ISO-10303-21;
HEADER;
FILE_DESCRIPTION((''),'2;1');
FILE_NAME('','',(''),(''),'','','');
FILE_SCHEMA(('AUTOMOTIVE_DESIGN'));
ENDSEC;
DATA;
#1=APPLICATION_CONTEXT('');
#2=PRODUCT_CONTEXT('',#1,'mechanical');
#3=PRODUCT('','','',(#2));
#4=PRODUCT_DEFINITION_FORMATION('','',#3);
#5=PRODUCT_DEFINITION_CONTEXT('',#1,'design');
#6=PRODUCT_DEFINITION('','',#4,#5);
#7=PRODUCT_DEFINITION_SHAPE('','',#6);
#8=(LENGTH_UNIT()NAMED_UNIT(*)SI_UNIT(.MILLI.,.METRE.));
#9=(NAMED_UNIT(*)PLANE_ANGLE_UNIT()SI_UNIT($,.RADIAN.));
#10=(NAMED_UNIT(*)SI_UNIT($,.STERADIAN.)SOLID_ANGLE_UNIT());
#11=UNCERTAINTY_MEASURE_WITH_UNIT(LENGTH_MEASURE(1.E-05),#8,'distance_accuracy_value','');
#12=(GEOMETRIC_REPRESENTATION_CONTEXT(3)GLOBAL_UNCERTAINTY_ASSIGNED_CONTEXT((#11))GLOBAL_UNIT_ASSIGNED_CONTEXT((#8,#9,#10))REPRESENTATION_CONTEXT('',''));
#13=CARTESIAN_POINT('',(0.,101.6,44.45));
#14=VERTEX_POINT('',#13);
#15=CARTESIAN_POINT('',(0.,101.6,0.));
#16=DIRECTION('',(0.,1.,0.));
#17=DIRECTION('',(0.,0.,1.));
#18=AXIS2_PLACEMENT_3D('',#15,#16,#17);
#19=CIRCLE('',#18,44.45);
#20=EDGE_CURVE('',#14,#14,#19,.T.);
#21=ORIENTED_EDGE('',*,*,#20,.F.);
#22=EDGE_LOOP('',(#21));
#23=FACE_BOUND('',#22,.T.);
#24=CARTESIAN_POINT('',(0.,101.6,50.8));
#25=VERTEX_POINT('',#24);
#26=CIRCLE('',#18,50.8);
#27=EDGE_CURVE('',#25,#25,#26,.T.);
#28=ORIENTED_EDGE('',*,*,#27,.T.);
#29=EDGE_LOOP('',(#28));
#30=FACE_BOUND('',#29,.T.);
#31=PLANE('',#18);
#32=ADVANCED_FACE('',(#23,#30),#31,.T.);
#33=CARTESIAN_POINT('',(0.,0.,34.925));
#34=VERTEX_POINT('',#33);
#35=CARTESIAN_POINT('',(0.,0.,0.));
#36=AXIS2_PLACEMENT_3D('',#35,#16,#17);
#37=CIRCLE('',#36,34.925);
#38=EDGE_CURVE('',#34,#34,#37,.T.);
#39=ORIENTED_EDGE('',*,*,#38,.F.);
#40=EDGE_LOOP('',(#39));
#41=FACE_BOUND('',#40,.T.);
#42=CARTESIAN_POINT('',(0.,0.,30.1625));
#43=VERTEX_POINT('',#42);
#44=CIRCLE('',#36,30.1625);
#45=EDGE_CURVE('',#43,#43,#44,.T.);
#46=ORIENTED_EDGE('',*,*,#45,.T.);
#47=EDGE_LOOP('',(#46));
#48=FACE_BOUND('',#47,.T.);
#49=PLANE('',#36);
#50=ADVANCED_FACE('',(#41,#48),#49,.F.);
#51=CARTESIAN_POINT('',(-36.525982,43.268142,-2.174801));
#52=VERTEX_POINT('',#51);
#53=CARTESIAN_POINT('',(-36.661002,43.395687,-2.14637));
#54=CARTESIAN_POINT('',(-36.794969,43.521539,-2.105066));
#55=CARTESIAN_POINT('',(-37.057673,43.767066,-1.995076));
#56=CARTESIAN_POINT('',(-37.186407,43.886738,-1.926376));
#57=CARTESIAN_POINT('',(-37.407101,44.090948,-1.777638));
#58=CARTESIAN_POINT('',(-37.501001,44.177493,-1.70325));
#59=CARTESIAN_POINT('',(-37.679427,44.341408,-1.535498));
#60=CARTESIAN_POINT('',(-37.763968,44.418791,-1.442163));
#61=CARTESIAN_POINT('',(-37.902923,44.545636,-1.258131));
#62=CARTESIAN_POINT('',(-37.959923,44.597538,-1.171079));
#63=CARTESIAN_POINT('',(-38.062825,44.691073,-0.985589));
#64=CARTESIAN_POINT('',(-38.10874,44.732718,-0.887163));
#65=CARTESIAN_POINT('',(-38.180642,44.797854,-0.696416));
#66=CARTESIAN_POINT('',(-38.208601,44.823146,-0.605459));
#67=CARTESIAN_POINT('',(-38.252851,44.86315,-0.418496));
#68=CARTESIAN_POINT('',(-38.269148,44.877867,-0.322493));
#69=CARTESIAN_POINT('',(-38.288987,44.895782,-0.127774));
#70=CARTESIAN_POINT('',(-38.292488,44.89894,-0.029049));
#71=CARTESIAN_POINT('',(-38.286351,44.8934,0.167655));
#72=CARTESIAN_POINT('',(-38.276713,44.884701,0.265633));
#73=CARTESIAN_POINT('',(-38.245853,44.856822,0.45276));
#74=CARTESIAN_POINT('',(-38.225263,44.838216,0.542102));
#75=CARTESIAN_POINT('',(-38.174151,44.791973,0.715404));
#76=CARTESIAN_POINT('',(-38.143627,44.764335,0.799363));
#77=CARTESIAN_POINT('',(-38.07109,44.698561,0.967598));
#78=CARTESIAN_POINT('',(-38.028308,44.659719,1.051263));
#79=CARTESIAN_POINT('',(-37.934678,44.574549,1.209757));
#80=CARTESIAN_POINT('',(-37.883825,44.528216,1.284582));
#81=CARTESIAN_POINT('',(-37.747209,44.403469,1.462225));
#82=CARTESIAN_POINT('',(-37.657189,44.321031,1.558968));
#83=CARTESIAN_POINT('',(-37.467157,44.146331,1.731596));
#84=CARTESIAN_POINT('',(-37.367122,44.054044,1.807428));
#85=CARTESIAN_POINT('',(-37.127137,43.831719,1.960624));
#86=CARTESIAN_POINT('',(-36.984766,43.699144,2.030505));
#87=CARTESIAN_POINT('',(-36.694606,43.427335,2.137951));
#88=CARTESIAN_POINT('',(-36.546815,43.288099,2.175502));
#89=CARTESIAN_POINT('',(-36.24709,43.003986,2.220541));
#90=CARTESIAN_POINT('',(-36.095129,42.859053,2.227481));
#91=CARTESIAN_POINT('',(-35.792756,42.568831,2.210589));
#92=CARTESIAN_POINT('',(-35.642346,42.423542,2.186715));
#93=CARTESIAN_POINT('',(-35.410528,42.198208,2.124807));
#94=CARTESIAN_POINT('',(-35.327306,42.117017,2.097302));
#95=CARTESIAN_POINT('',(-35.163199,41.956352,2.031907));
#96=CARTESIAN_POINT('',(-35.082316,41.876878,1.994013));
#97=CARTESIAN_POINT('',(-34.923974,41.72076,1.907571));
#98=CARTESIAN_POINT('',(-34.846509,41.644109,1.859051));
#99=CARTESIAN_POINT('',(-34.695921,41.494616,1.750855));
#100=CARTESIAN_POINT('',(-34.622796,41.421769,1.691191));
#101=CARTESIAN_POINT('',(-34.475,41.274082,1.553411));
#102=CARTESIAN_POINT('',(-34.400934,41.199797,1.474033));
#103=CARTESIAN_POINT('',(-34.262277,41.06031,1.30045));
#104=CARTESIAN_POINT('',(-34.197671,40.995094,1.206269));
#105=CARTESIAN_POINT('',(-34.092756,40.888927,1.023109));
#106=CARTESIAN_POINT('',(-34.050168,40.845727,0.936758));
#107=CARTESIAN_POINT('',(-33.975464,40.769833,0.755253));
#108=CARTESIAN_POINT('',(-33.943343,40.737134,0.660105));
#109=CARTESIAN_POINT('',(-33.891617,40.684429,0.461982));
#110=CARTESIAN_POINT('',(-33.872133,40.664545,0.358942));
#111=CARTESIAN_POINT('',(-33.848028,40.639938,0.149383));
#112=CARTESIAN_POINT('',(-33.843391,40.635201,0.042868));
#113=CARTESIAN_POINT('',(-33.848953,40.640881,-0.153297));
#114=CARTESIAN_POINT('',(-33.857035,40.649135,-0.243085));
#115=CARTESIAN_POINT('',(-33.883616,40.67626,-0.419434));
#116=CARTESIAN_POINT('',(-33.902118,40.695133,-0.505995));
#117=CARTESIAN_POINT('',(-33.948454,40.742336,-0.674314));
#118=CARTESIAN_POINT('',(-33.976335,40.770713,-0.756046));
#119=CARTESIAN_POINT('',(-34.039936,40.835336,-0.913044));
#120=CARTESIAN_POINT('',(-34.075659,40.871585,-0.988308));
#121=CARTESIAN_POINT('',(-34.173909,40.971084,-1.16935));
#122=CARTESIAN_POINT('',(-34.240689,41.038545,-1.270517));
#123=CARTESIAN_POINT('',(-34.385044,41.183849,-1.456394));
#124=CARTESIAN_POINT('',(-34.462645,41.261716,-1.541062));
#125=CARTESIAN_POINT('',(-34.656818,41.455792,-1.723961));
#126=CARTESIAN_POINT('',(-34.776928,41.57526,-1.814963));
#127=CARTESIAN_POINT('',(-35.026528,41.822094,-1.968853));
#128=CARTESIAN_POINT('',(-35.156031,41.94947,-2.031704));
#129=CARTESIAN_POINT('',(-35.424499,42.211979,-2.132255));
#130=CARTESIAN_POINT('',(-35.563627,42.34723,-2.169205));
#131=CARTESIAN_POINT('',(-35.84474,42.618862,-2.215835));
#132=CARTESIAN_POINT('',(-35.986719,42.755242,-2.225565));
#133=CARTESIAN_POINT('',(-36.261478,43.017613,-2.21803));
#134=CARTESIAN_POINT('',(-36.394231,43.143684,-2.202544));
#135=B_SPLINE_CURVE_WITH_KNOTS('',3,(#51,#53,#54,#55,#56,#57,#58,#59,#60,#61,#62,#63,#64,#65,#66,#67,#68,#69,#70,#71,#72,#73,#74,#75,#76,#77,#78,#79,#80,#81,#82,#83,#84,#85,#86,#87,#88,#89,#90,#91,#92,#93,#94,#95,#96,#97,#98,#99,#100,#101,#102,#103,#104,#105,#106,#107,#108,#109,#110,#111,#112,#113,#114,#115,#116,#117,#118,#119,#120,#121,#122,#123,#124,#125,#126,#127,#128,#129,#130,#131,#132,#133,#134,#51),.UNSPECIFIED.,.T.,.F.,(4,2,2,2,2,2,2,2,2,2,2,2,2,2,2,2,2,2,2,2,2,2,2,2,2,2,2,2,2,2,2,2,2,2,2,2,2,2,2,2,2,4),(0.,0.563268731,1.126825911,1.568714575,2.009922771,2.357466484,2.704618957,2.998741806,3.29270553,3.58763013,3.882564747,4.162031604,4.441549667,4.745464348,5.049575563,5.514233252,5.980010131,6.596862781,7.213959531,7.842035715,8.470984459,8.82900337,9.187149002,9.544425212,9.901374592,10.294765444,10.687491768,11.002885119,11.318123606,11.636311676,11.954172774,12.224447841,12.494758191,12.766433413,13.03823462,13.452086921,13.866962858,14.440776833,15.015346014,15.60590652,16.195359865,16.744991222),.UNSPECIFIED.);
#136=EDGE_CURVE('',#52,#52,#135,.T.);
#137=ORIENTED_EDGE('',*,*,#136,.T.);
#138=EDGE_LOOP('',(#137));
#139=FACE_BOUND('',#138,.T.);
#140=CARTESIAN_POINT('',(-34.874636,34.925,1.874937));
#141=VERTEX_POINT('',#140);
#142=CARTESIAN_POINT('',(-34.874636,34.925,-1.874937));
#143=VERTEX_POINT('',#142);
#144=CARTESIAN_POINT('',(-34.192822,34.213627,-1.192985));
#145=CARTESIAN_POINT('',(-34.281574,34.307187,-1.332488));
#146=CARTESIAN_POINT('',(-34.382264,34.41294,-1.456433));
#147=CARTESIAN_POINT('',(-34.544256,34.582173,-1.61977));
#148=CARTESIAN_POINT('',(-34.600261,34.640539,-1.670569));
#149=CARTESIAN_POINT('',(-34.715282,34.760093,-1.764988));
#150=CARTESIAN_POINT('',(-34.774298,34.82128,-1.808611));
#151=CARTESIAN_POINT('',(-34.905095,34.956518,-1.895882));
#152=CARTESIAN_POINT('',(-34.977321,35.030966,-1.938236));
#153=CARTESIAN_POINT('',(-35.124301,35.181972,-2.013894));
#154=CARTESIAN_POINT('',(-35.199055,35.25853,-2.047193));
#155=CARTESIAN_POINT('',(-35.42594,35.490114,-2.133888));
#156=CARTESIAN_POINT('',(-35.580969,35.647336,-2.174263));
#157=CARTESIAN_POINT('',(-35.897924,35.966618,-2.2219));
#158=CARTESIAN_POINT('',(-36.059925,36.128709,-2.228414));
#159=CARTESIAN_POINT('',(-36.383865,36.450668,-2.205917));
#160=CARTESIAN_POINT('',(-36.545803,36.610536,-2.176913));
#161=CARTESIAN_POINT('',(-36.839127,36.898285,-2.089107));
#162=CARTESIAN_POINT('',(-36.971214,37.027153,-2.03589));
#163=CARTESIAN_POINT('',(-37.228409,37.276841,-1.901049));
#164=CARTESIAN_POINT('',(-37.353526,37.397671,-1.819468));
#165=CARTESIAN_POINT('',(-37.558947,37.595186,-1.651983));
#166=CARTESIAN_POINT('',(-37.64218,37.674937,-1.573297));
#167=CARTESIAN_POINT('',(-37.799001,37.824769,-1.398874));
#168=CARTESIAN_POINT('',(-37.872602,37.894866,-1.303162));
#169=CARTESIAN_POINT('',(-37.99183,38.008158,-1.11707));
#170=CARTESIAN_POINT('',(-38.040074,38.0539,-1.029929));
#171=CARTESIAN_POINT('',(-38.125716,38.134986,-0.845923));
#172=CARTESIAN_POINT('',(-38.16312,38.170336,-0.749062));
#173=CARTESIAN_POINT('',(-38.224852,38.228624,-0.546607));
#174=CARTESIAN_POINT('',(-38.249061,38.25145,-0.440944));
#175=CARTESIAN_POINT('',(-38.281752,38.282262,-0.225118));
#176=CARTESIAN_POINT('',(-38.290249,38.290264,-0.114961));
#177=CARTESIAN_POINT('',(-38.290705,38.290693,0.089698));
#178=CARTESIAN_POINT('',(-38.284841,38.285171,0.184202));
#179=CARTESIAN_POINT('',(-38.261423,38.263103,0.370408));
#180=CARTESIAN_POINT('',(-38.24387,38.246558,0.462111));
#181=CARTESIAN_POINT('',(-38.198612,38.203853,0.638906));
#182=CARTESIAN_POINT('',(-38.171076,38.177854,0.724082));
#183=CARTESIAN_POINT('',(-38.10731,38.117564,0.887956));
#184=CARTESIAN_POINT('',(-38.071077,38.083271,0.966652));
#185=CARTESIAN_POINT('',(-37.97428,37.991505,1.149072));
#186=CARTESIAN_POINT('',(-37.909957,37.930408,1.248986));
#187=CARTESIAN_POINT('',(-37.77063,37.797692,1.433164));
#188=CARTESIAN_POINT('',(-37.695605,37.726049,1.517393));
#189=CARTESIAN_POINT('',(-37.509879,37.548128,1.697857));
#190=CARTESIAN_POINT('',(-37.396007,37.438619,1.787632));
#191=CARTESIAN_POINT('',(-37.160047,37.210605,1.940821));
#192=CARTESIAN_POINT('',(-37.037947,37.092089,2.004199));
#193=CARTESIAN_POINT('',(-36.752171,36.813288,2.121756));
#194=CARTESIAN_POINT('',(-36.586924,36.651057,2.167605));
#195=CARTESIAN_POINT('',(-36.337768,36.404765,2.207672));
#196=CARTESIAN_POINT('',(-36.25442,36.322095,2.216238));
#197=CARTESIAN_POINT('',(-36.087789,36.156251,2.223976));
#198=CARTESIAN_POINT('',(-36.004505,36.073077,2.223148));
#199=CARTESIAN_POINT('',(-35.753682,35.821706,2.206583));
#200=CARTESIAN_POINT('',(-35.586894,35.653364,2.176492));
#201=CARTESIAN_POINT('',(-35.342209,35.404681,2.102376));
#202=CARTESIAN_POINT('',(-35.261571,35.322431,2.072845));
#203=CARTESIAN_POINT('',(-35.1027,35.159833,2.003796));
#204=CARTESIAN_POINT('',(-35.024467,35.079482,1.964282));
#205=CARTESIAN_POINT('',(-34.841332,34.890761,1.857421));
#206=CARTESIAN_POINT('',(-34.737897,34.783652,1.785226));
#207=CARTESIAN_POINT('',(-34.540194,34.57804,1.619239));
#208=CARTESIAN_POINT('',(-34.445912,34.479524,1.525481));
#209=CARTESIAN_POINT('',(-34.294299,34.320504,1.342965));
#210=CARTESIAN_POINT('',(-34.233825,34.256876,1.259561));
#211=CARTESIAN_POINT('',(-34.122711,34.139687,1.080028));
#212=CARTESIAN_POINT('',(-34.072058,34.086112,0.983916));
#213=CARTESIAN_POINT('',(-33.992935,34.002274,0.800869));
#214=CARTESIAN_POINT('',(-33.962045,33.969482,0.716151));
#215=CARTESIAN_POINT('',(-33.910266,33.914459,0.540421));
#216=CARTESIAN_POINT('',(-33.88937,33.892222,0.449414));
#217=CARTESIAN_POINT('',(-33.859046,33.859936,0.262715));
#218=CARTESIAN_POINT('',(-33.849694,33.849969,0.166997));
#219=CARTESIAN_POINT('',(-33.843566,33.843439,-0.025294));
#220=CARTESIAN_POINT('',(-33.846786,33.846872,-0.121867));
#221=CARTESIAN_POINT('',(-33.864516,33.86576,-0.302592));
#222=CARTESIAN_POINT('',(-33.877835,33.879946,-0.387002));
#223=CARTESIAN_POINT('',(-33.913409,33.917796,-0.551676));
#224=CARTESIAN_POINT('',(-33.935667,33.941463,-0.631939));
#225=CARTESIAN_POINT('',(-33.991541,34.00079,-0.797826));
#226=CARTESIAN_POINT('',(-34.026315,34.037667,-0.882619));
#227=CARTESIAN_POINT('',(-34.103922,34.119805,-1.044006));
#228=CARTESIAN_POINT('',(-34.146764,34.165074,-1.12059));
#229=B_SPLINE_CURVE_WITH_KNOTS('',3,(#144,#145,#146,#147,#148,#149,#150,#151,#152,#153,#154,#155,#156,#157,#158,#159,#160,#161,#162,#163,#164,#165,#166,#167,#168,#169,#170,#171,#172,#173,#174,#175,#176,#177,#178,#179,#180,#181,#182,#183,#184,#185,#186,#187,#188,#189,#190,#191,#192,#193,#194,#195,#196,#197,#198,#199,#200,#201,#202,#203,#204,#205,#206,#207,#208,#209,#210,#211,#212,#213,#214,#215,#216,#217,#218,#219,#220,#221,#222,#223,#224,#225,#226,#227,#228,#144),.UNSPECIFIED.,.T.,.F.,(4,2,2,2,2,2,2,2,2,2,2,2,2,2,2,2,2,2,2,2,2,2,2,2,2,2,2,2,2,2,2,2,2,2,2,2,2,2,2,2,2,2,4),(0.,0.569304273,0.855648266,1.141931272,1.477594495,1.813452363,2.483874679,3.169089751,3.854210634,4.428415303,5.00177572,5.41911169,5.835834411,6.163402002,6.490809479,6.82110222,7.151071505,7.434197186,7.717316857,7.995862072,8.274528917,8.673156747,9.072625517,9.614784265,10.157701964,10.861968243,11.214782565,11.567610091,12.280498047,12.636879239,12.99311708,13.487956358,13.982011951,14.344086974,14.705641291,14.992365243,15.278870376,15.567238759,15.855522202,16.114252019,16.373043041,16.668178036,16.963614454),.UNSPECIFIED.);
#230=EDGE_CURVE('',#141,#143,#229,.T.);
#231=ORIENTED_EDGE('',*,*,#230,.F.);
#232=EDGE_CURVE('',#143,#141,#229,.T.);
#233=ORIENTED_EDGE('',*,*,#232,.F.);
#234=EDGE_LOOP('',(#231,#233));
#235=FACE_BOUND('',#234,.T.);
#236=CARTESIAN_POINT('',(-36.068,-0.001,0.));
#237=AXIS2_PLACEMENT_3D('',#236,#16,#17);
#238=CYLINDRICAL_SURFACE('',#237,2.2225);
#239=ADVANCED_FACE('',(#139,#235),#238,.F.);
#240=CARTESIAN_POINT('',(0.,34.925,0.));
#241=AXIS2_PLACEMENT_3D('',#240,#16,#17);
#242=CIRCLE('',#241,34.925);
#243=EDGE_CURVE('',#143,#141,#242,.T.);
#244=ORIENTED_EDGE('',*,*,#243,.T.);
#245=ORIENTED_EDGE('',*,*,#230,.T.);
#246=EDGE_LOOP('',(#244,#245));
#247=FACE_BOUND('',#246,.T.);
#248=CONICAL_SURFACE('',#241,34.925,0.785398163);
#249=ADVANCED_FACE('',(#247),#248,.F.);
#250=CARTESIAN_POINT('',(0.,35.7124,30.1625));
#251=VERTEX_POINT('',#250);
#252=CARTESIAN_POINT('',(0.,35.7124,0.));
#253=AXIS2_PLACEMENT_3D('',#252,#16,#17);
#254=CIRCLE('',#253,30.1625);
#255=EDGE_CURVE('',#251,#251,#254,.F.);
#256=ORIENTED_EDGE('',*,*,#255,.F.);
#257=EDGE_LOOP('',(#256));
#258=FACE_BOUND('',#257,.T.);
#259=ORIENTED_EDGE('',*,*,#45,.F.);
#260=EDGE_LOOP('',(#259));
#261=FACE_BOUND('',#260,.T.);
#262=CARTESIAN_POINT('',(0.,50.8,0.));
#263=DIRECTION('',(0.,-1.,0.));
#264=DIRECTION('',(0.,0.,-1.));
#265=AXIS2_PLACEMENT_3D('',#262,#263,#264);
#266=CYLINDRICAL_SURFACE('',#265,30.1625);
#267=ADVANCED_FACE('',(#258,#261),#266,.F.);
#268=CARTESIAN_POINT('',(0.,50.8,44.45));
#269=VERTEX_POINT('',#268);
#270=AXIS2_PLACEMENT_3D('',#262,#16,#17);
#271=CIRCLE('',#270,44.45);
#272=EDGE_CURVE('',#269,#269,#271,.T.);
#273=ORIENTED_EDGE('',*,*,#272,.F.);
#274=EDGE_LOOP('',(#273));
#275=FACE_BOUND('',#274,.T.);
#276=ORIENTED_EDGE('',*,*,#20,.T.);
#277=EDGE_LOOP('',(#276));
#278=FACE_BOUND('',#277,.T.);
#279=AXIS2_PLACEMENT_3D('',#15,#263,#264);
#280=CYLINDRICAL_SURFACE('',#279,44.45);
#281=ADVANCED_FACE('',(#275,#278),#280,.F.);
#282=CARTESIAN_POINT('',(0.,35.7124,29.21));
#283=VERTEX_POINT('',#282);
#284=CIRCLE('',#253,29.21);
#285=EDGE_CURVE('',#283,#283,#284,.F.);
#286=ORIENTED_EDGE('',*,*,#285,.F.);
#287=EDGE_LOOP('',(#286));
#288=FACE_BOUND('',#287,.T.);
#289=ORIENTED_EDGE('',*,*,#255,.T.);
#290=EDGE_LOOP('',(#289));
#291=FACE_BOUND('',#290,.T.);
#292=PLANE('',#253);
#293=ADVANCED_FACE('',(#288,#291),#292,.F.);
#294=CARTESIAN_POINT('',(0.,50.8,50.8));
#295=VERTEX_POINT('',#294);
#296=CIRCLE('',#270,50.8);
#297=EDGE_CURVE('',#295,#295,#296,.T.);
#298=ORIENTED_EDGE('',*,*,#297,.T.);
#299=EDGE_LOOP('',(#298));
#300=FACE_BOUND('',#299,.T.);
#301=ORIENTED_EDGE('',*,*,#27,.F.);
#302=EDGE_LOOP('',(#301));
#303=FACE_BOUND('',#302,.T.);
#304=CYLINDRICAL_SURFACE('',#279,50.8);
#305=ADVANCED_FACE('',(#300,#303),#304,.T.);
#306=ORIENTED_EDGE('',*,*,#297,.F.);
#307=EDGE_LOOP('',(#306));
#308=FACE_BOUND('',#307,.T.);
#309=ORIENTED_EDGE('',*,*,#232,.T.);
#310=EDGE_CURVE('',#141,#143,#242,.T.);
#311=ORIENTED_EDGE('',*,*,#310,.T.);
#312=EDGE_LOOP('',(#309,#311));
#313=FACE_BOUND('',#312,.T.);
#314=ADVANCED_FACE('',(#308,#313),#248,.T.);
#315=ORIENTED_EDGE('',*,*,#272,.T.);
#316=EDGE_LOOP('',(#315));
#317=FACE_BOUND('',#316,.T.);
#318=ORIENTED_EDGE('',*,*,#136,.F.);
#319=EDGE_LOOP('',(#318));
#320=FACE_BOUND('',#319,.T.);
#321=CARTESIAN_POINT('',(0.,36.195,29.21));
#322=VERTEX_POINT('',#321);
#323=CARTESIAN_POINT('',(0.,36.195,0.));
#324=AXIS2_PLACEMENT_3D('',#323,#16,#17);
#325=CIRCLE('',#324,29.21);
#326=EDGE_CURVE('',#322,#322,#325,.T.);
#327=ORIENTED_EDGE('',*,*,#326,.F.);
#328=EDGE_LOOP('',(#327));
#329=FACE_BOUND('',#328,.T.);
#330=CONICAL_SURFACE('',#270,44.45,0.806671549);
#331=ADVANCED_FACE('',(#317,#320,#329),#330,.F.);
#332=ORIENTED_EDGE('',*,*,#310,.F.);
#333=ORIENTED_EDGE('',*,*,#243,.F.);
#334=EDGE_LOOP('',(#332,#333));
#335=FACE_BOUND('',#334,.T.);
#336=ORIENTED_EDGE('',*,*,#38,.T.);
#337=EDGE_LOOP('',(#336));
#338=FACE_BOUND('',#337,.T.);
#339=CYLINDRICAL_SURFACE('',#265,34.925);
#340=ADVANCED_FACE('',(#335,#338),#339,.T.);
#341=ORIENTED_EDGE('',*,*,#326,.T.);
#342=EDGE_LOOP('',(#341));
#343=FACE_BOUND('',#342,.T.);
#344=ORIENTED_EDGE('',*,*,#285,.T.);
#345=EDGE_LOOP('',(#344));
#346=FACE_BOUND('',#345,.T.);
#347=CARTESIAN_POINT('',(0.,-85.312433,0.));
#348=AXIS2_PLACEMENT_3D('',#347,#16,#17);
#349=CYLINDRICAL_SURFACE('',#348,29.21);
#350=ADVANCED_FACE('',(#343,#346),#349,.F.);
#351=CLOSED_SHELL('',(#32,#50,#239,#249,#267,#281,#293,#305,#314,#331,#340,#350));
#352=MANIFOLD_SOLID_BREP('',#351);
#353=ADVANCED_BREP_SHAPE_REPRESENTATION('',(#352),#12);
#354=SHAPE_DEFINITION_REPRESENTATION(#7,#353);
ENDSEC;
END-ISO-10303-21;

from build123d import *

# Parameters (mm, degrees)
SKETCH1_R           = 34.925
SKETCH1_R_2         = 30.1625
BOSS_EXTRUDE1_DEPTH = 50.8
SKETCH2_R           = 50.8
SKETCH2_R_2         = 44.45
BOSS_EXTRUDE2_DEPTH = 50.8
SKETCH4_R           = 30.1625
SKETCH4_R_2         = 29.21
BOSS_EXTRUDE3_DEPTH = 15.0876
CUT_EXTRUDE1_REACH  = 89.988
SKETCH6_R           = 2.2225


with BuildPart() as part:
    # Sketch1 → Boss-Extrude1 (new body)
    with BuildSketch(Plane(origin=(0, 0, 0), x_dir=(1, 0, 0), z_dir=(0, 1, 0))):
        with Locations(Location((0, 0, 0), (0, 0, 270))):
            Circle(SKETCH1_R)
        with Locations(Location((0, 0, 0), (0, 0, 270))):
            Circle(SKETCH1_R_2, mode=Mode.SUBTRACT)
    extrude(amount=BOSS_EXTRUDE1_DEPTH)



with BuildPart() as body_2:
    # Sketch2 → Boss-Extrude2 (new body)
    with BuildSketch(Plane(origin=(0, 50.8, 0), x_dir=(1, 0, 0), z_dir=(0, 1, 0))):
        with Locations(Location((0, 0, 0), (0, 0, 270))):
            Circle(SKETCH2_R)
        with Locations(Location((0, 0, 0), (0, 0, 270))):
            Circle(SKETCH2_R_2, mode=Mode.SUBTRACT)
    extrude(amount=BOSS_EXTRUDE2_DEPTH)


with BuildPart() as part_1:
    add(part.part)

    add(body_2.part)  # Revolve1 merges body 2
    # Sketch3 → Revolve1 (revolve)
    with BuildSketch(Plane.XY, mode=Mode.PRIVATE) as revolve1_sk:
        Polygon((50.8, 50.8), (34.925, 34.925), (34.925, 50.8), align=None)
    revolve(revolve1_sk.sketch.rotate(Axis((0, 101.6, 0), (0, -1, 0)), 90), axis=Axis((0, 101.6, 0), (0, -1, 0)))

    # Sketch4 → Boss-Extrude3 (add)
    with BuildSketch(Plane(origin=(0, 50.8, 0), x_dir=(1, 0, 0), z_dir=(0, 1, 0))):
        with Locations(Location((0, 0, 0), (0, 0, 270))):
            Circle(SKETCH4_R)
        with Locations(Location((0, 0, 0), (0, 0, 270))):
            Circle(SKETCH4_R_2, mode=Mode.SUBTRACT)
    extrude(amount=-BOSS_EXTRUDE3_DEPTH)

    # Sketch5 → Cut-Revolve1 (revolve, cut)
    with BuildSketch(Plane(origin=(0, 0, 0), x_dir=(0, 0, -1), z_dir=(1, 0, 0))):
        Polygon((-44.45, 50.8), (-29.21, 36.195), (-29.21, 50.8), align=None)
    revolve(axis=Axis((0, 101.6, 0), (0, -1, 0)), mode=Mode.SUBTRACT)

    # Cut-Extrude1: up to this cone (the profile starts inside it)
    cut_extrude1_end = Plane(origin=(0, 50.8, 0), z_dir=(0, 1, 0)).offset(-50.799999) * Cone(1e-06, 192.088, 192.087999, align=(Align.CENTER, Align.CENTER, Align.MIN), mode=Mode.PRIVATE)
    # Sketch6 → Cut-Extrude1 (cut, up to the surface)
    with BuildSketch(Plane(origin=(0, 50.8, 0), x_dir=(-1, 0, 0), z_dir=(0, -1, 0)), mode=Mode.PRIVATE) as cut_extrude1_sk1:
        with Locations(Location((36.068, 0, 0), (0, 0, 237.524024199))):
            Circle(SKETCH6_R)
    cut_extrude1_tool1 = extrude(cut_extrude1_sk1.sketch, amount=CUT_EXTRUDE1_REACH, mode=Mode.PRIVATE) & cut_extrude1_end
    add(cut_extrude1_tool1.solids().sort_by_distance((-36.068, 50.8, 0))[0], mode=Mode.SUBTRACT)


solid = part_1.part
